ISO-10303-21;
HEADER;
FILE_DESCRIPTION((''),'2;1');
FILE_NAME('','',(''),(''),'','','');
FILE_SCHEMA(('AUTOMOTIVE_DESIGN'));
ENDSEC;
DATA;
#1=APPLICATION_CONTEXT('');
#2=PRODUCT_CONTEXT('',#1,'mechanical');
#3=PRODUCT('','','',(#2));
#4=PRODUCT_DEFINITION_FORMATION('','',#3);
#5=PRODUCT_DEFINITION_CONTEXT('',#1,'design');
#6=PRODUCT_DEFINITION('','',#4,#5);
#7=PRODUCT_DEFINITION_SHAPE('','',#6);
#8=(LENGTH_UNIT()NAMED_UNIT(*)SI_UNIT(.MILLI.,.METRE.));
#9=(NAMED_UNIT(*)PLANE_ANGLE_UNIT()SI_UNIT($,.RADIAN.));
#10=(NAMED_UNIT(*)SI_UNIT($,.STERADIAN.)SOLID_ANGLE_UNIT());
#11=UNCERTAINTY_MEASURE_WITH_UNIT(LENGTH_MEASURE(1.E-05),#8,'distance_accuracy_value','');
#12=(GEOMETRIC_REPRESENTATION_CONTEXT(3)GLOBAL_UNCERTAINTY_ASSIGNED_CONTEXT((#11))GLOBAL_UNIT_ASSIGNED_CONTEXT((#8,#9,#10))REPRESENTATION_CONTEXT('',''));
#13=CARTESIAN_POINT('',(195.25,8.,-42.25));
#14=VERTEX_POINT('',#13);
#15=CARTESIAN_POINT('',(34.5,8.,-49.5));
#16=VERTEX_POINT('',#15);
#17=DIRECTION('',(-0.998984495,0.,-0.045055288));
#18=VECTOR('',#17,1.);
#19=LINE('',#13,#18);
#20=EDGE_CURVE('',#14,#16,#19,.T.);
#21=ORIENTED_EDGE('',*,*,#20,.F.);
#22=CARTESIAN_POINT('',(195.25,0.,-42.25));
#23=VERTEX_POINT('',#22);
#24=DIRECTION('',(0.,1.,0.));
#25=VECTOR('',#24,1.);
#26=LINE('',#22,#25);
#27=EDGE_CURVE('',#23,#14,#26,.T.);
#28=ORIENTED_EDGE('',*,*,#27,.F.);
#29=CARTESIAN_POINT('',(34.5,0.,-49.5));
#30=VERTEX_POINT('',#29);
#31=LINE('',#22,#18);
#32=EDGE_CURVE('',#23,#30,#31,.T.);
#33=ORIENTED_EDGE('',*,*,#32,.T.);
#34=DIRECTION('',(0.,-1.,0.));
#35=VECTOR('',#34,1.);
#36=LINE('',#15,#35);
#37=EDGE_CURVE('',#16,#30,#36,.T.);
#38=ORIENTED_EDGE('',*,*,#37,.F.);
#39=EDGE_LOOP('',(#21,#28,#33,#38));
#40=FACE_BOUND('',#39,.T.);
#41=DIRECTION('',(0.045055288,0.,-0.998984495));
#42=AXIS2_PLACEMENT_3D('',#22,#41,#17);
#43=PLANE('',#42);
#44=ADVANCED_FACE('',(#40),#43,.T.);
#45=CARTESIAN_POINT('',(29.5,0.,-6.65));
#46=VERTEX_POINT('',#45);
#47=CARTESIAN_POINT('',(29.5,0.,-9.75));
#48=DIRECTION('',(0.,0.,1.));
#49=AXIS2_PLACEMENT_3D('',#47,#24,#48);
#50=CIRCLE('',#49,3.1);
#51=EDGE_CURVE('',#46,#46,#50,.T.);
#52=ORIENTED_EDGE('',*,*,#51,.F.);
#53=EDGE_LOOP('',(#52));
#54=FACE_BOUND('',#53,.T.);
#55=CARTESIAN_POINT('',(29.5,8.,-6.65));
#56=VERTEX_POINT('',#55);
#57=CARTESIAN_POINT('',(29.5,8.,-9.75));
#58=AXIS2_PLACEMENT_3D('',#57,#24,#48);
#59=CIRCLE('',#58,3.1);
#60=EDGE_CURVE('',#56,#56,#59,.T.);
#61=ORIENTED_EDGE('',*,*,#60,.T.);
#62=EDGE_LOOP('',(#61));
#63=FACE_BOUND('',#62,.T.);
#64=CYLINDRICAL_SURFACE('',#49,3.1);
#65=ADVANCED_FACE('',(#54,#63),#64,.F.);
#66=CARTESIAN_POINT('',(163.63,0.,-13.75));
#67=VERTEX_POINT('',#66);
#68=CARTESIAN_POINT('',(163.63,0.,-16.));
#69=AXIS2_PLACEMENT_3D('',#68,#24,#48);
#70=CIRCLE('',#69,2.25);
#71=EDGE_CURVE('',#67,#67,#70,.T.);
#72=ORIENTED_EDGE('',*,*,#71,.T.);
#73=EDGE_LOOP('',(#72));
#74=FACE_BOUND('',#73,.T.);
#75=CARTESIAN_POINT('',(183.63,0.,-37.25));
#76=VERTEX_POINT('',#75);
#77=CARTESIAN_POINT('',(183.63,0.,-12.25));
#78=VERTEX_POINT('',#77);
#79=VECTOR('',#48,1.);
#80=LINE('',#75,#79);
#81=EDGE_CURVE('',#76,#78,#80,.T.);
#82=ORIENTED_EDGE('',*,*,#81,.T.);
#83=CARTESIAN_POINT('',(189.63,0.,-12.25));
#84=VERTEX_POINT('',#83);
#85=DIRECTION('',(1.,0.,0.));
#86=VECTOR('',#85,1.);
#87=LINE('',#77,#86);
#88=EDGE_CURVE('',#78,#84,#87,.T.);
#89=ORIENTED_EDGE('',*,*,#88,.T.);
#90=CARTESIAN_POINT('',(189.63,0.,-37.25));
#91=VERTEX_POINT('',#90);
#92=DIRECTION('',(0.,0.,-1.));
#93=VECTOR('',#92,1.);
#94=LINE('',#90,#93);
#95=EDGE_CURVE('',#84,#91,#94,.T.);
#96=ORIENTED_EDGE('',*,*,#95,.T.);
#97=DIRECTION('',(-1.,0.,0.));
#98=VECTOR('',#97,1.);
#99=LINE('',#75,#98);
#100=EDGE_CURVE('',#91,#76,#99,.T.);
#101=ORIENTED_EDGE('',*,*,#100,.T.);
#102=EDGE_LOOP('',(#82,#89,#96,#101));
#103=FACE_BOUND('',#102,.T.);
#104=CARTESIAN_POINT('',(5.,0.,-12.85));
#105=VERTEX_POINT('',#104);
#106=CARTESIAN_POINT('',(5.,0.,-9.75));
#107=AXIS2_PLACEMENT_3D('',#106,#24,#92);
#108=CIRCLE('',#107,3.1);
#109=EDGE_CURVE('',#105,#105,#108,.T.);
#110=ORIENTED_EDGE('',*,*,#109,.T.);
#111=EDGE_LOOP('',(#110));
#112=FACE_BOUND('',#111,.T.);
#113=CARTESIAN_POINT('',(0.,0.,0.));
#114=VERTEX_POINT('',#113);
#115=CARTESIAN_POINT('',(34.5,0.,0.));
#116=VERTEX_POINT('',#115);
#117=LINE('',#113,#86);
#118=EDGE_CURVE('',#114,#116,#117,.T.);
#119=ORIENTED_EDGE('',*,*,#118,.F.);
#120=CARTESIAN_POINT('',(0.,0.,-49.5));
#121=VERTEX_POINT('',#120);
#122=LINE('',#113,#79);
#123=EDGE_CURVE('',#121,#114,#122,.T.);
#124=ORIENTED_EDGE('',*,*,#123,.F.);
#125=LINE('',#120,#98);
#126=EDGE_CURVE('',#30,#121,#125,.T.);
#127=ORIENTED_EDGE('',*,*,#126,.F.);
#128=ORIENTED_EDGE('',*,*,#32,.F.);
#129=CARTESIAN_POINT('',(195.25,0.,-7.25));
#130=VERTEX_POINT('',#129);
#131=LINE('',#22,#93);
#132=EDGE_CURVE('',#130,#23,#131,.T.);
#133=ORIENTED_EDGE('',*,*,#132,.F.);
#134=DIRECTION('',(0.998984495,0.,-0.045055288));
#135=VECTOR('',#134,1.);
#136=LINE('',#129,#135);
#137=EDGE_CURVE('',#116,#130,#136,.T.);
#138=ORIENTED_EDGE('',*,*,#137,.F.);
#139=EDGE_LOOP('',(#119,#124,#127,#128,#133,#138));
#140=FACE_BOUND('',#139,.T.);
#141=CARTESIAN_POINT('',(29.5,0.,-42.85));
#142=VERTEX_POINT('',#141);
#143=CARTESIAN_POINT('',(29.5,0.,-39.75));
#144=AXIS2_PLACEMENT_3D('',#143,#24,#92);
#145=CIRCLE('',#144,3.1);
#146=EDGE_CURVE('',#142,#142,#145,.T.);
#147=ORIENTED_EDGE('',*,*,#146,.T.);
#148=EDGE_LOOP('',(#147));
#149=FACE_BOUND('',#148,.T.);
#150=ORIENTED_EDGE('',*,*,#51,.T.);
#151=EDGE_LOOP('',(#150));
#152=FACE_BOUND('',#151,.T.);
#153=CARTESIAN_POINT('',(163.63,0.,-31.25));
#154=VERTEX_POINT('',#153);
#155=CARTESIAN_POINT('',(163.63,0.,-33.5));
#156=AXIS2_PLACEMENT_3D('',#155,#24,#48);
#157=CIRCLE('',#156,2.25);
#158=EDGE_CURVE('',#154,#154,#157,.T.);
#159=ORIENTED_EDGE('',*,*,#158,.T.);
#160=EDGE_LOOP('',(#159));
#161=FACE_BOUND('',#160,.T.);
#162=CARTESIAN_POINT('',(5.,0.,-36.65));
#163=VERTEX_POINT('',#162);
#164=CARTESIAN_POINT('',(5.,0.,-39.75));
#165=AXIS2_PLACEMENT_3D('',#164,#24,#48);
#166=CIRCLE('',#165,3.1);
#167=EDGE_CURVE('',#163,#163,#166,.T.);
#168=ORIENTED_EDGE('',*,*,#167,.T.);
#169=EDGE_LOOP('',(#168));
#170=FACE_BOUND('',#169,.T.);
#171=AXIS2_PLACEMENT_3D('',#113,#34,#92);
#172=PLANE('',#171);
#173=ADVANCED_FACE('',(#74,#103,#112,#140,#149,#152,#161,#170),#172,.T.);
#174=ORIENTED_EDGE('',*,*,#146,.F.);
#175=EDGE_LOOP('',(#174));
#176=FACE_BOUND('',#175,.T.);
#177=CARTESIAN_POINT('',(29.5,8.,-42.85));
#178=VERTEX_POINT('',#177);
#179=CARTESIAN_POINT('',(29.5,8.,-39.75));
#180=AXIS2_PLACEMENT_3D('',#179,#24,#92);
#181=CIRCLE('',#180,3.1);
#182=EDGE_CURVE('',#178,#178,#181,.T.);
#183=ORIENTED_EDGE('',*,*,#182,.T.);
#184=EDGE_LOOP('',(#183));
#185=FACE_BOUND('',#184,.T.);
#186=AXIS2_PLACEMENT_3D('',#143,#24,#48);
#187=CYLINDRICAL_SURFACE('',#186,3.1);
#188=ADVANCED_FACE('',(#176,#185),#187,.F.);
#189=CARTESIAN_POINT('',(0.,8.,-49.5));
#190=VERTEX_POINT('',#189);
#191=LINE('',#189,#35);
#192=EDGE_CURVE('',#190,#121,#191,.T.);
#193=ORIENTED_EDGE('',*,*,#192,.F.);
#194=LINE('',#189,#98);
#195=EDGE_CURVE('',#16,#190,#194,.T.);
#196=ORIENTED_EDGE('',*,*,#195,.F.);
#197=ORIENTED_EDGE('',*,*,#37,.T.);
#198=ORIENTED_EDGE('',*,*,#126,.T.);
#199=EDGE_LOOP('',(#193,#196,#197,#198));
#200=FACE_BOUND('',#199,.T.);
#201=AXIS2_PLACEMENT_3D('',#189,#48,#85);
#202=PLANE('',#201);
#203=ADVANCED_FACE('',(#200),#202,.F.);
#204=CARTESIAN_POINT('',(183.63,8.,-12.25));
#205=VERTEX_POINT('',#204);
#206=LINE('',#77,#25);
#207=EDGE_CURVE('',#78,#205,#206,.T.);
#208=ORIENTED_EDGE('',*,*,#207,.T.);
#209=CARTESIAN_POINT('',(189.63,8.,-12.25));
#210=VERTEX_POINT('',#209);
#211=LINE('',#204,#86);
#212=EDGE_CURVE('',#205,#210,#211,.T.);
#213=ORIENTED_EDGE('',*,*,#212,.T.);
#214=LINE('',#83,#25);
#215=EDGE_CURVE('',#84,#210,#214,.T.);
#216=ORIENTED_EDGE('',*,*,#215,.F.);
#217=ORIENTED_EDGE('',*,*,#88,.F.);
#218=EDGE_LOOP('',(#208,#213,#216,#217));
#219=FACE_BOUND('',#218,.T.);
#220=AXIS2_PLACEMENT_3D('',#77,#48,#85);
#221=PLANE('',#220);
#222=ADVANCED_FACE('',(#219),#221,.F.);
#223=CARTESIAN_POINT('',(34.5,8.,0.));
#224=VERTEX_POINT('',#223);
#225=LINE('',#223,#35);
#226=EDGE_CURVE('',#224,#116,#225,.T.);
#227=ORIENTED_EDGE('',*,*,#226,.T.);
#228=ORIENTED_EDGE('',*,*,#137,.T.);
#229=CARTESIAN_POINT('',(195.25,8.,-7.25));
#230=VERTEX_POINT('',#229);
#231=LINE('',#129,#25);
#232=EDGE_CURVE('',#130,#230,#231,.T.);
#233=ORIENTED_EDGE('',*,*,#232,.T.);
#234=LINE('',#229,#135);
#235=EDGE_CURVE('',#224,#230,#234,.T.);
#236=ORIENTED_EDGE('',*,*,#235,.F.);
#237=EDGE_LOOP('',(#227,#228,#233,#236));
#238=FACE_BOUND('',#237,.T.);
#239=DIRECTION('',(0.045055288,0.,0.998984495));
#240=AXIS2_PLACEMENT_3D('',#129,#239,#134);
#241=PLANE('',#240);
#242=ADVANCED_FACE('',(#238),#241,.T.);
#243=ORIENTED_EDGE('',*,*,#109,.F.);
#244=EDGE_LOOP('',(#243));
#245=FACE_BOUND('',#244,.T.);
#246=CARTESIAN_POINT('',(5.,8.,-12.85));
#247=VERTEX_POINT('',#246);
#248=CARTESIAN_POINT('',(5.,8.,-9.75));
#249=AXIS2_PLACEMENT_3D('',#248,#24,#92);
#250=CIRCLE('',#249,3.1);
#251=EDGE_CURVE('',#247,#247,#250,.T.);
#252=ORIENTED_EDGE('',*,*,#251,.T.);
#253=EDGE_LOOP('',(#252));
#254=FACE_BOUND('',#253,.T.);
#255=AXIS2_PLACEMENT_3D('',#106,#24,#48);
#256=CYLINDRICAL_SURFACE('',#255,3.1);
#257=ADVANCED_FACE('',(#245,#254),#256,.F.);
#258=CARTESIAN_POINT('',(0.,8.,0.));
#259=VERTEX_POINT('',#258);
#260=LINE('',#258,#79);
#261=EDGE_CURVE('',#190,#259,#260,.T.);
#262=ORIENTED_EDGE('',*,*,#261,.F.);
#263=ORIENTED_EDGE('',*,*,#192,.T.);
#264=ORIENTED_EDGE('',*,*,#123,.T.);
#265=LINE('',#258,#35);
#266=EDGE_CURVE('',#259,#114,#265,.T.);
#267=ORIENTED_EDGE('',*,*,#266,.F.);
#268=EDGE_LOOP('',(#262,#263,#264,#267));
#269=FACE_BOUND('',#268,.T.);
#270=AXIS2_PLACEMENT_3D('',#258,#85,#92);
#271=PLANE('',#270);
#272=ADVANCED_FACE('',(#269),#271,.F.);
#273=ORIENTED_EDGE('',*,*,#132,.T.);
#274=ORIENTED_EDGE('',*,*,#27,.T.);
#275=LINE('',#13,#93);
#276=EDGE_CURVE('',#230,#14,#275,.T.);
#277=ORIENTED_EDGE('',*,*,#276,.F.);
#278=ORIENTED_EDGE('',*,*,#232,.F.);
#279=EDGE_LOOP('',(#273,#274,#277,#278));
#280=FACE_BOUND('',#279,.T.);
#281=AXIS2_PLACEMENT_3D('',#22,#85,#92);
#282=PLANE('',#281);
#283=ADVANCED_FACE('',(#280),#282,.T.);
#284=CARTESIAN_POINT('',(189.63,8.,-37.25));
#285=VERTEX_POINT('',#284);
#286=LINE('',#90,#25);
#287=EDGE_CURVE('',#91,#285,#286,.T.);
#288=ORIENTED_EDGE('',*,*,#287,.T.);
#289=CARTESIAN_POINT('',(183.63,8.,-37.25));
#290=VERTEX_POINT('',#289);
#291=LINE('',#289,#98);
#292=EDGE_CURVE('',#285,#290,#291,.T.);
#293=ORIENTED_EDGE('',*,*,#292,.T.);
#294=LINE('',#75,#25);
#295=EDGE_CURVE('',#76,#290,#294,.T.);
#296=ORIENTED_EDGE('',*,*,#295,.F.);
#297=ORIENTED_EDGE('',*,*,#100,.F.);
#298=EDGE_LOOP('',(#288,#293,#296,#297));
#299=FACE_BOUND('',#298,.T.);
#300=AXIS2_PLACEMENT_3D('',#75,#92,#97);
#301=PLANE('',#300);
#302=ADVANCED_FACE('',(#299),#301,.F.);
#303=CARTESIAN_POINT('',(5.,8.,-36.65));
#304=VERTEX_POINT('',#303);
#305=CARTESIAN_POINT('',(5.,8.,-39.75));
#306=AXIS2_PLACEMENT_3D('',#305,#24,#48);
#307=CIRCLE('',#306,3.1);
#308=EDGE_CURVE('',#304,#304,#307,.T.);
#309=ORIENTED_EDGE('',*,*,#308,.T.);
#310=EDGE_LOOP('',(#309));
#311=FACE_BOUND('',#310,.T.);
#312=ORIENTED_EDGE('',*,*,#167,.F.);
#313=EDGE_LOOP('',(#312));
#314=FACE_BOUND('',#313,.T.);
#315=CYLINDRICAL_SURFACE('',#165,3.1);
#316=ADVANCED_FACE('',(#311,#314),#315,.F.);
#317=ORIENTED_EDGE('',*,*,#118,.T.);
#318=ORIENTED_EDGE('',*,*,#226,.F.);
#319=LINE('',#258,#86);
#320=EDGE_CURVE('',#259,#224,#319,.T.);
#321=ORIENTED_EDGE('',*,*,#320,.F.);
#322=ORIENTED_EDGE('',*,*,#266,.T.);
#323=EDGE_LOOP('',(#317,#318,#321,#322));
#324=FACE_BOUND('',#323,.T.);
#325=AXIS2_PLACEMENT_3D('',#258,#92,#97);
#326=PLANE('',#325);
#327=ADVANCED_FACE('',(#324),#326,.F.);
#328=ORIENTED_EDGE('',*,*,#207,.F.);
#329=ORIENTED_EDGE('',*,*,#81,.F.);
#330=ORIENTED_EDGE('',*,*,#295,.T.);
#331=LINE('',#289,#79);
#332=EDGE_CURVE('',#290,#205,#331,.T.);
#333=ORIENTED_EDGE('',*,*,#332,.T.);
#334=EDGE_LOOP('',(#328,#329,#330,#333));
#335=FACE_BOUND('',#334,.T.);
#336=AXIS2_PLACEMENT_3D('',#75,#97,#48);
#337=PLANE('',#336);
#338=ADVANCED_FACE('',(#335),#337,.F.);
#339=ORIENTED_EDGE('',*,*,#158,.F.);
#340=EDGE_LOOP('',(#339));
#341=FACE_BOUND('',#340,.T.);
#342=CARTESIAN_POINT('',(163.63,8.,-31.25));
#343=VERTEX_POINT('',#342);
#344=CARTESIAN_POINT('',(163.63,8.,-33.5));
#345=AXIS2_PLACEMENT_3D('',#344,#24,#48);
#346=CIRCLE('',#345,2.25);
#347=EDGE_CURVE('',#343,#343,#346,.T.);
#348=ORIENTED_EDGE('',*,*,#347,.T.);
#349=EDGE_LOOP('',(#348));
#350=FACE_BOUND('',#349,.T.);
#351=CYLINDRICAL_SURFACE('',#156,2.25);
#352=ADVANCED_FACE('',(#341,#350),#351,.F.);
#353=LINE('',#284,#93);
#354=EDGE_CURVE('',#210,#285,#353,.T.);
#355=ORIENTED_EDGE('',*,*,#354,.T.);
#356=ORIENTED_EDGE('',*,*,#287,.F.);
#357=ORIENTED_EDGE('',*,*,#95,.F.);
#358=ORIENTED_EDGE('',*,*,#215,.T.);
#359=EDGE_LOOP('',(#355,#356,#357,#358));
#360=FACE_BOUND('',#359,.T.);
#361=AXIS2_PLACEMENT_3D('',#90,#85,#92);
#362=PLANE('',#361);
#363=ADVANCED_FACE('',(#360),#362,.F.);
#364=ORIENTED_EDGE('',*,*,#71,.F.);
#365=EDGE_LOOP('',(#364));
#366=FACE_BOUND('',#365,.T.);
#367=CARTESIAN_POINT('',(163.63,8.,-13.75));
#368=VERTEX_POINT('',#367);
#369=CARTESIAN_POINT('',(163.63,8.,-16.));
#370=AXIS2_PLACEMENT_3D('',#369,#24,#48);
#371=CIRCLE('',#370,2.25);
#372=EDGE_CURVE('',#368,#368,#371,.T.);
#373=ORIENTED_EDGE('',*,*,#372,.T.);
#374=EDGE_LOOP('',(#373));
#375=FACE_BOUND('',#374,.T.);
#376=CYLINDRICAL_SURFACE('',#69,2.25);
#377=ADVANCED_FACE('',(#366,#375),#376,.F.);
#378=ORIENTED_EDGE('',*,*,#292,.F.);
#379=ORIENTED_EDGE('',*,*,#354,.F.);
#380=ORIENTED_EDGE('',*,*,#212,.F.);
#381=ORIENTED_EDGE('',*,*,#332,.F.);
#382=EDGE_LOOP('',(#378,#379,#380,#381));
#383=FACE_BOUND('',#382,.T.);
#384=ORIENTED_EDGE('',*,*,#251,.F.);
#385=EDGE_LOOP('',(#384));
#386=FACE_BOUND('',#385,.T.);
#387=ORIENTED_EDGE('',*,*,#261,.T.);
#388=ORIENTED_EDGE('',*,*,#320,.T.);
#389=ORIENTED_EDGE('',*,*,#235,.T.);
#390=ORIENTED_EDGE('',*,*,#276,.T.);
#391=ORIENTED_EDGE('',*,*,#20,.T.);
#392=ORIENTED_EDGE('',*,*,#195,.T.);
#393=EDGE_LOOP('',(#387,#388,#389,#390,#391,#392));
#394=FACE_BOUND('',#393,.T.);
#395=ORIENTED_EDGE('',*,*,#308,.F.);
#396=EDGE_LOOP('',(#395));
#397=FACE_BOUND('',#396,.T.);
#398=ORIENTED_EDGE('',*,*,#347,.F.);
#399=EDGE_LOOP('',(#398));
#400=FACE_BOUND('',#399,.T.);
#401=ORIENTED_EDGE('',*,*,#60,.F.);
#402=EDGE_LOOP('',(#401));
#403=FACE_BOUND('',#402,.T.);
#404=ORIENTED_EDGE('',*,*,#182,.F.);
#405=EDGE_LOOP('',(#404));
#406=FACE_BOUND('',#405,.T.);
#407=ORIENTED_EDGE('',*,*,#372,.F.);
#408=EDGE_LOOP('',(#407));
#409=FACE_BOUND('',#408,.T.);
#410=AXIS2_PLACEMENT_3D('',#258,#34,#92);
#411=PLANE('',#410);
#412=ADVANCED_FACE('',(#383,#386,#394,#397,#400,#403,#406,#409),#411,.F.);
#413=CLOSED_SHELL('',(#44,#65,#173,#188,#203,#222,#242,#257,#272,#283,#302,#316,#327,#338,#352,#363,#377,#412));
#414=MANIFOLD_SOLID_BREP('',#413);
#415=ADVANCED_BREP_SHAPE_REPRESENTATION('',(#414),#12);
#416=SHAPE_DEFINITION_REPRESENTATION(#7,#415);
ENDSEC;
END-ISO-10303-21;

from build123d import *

# Parameters (mm, degrees)
SKETCH1_W           = 34.5
SKETCH1_H           = 49.5
BOSS_EXTRUDE1_DEPTH = 8
SKETCH2_R           = 3.1
CUT_EXTRUDE1_DEPTH  = 61.864603835
SKETCH3_W           = 6
SKETCH3_H           = 25
BOSS_EXTRUDE2_DEPTH = 8
FILLET1_R           = 10
FILLET2_R           = 5
BOSS_EXTRUDE3_DEPTH = 8
SKETCH8_R           = 2.25
CUT_EXTRUDE2_DEPTH  = 202.585744784


with BuildPart() as part:
    # Sketch1 → Boss-Extrude1 (new body)
    with BuildSketch(Plane(origin=(0, 0, 0), x_dir=(1, 0, 0), z_dir=(0, 1, 0))):
        with Locations((17.25, 24.75)):
            Rectangle(SKETCH1_W, SKETCH1_H)
    extrude(amount=BOSS_EXTRUDE1_DEPTH)

    # Sketch2 → Cut-Extrude1 (cut, through all)
    with BuildSketch(Plane(origin=(0, 8, 0), x_dir=(1, 0, 0), z_dir=(0, 1, 0))):
        with Locations(Location((5, 39.75, 0), (0, 0, 270))):
            Circle(SKETCH2_R)
        with Locations(Location((5, 9.75, 0), (0, 0, 90))):
            Circle(SKETCH2_R)
        with Locations(Location((29.5, 9.75, 0), (0, 0, 270))):
            Circle(SKETCH2_R)
        with Locations(Location((29.5, 39.75, 0), (0, 0, 90))):
            Circle(SKETCH2_R)
    extrude(amount=-CUT_EXTRUDE1_DEPTH, mode=Mode.SUBTRACT)

    # Sketch3 → Boss-Extrude2 (add, through all)
    with BuildSketch(Plane(origin=(0, 8, 0), x_dir=(1, 0, 0), z_dir=(0, 1, 0))):
        Polygon((195.25, 42.25), (34.5, 49.5), (34.5, 41.491867701), (89.599952536, 39.006799857), (89.599952536, 10.493200143), (34.5, 8.008132299), (34.5, 0), (195.25, 7.25), align=None)
        Polygon((176.564901879, 14.415414033), (94.599952536, 10.718705586), (94.599952536, 38.781294414), (176.564901879, 35.084585967), align=None, mode=Mode.SUBTRACT)
        with Locations((186.63, 24.75)):
            Rectangle(SKETCH3_W, SKETCH3_H, mode=Mode.SUBTRACT)
    extrude(amount=-BOSS_EXTRUDE2_DEPTH)

    # Fillet1
    fillet1_edges = [part.edges().sort_by_distance(p)[0] for p in [
        (34.5, 4, -8.008132299),
        (89.599952536, 4, -10.493200143),
        (89.599952536, 4, -39.006799857),
        (34.5, 4, -41.491867701),
        (94.599952536, 4, -38.781294414),
        (94.599952536, 4, -10.718705586),
    ]]
    fillet(fillet1_edges, radius=FILLET1_R)

    # Fillet2
    fillet2_edges = [part.edges().sort_by_distance(p)[0] for p in [
        (176.564901879, 4, -35.084585967),
        (176.564901879, 4, -14.415414033),
    ]]
    fillet(fillet2_edges, radius=FILLET2_R)

    # Sketch7 → Boss-Extrude3 (add, through all)
    with BuildSketch(Plane(origin=(0, 8, 0), x_dir=(1, 0, 0), z_dir=(0, 1, 0))):
        with BuildLine():
            Line((105.050505418, 11.190036898), (171.79017832, 14.200068802))
            ThreePointArc((171.79017832, 14.200068802), (175.179205561, 15.740022551), (176.564901879, 19.194991277))
            Line((176.564901879, 19.194991277), (176.564901879, 30.305008723))
            ThreePointArc((176.564901879, 30.305008723), (175.179205561, 33.759977449), (171.79017832, 35.299931198))
            Line((171.79017832, 35.299931198), (105.050505418, 38.309963102))
            ThreePointArc((105.050505418, 38.309963102), (97.690015084, 35.548725516), (94.599952536, 28.320118153))
            Line((94.599952536, 28.320118153), (94.599952536, 21.179881847))
            ThreePointArc((94.599952536, 21.179881847), (97.690015084, 13.951274484), (105.050505418, 11.190036898))
        make_face()
        with BuildLine():
            Line((89.599952536, 20.052354631), (89.599952536, 29.447645369))
            ThreePointArc((89.599952536, 29.447645369), (86.828559899, 36.357582821), (80.050505418, 39.437490318))
            Line((80.050505418, 39.437490318), (44.950552883, 41.020536389))
            ThreePointArc((44.950552883, 41.020536389), (37.590062548, 38.259298803), (34.5, 31.03069144))
            Line((34.5, 31.03069144), (34.5, 18.46930856))
            ThreePointArc((34.5, 18.46930856), (37.590062548, 11.240701197), (44.950552883, 8.479463611))
            Line((44.950552883, 8.479463611), (80.050505418, 10.062509682))
            ThreePointArc((80.050505418, 10.062509682), (86.828559899, 13.142417179), (89.599952536, 20.052354631))
        make_face()
    extrude(amount=-BOSS_EXTRUDE3_DEPTH)

    # Sketch8 → Cut-Extrude2 (cut, through all)
    with BuildSketch(Plane(origin=(0, 8, 0), x_dir=(1, 0, 0), z_dir=(0, 1, 0))):
        with Locations(Location((163.63, 33.5, 0), (0, 0, 270))):
            Circle(SKETCH8_R)
        with Locations(Location((163.63, 16, 0), (0, 0, 270))):
            Circle(SKETCH8_R)
    extrude(amount=-CUT_EXTRUDE2_DEPTH, mode=Mode.SUBTRACT)


solid = part.part
